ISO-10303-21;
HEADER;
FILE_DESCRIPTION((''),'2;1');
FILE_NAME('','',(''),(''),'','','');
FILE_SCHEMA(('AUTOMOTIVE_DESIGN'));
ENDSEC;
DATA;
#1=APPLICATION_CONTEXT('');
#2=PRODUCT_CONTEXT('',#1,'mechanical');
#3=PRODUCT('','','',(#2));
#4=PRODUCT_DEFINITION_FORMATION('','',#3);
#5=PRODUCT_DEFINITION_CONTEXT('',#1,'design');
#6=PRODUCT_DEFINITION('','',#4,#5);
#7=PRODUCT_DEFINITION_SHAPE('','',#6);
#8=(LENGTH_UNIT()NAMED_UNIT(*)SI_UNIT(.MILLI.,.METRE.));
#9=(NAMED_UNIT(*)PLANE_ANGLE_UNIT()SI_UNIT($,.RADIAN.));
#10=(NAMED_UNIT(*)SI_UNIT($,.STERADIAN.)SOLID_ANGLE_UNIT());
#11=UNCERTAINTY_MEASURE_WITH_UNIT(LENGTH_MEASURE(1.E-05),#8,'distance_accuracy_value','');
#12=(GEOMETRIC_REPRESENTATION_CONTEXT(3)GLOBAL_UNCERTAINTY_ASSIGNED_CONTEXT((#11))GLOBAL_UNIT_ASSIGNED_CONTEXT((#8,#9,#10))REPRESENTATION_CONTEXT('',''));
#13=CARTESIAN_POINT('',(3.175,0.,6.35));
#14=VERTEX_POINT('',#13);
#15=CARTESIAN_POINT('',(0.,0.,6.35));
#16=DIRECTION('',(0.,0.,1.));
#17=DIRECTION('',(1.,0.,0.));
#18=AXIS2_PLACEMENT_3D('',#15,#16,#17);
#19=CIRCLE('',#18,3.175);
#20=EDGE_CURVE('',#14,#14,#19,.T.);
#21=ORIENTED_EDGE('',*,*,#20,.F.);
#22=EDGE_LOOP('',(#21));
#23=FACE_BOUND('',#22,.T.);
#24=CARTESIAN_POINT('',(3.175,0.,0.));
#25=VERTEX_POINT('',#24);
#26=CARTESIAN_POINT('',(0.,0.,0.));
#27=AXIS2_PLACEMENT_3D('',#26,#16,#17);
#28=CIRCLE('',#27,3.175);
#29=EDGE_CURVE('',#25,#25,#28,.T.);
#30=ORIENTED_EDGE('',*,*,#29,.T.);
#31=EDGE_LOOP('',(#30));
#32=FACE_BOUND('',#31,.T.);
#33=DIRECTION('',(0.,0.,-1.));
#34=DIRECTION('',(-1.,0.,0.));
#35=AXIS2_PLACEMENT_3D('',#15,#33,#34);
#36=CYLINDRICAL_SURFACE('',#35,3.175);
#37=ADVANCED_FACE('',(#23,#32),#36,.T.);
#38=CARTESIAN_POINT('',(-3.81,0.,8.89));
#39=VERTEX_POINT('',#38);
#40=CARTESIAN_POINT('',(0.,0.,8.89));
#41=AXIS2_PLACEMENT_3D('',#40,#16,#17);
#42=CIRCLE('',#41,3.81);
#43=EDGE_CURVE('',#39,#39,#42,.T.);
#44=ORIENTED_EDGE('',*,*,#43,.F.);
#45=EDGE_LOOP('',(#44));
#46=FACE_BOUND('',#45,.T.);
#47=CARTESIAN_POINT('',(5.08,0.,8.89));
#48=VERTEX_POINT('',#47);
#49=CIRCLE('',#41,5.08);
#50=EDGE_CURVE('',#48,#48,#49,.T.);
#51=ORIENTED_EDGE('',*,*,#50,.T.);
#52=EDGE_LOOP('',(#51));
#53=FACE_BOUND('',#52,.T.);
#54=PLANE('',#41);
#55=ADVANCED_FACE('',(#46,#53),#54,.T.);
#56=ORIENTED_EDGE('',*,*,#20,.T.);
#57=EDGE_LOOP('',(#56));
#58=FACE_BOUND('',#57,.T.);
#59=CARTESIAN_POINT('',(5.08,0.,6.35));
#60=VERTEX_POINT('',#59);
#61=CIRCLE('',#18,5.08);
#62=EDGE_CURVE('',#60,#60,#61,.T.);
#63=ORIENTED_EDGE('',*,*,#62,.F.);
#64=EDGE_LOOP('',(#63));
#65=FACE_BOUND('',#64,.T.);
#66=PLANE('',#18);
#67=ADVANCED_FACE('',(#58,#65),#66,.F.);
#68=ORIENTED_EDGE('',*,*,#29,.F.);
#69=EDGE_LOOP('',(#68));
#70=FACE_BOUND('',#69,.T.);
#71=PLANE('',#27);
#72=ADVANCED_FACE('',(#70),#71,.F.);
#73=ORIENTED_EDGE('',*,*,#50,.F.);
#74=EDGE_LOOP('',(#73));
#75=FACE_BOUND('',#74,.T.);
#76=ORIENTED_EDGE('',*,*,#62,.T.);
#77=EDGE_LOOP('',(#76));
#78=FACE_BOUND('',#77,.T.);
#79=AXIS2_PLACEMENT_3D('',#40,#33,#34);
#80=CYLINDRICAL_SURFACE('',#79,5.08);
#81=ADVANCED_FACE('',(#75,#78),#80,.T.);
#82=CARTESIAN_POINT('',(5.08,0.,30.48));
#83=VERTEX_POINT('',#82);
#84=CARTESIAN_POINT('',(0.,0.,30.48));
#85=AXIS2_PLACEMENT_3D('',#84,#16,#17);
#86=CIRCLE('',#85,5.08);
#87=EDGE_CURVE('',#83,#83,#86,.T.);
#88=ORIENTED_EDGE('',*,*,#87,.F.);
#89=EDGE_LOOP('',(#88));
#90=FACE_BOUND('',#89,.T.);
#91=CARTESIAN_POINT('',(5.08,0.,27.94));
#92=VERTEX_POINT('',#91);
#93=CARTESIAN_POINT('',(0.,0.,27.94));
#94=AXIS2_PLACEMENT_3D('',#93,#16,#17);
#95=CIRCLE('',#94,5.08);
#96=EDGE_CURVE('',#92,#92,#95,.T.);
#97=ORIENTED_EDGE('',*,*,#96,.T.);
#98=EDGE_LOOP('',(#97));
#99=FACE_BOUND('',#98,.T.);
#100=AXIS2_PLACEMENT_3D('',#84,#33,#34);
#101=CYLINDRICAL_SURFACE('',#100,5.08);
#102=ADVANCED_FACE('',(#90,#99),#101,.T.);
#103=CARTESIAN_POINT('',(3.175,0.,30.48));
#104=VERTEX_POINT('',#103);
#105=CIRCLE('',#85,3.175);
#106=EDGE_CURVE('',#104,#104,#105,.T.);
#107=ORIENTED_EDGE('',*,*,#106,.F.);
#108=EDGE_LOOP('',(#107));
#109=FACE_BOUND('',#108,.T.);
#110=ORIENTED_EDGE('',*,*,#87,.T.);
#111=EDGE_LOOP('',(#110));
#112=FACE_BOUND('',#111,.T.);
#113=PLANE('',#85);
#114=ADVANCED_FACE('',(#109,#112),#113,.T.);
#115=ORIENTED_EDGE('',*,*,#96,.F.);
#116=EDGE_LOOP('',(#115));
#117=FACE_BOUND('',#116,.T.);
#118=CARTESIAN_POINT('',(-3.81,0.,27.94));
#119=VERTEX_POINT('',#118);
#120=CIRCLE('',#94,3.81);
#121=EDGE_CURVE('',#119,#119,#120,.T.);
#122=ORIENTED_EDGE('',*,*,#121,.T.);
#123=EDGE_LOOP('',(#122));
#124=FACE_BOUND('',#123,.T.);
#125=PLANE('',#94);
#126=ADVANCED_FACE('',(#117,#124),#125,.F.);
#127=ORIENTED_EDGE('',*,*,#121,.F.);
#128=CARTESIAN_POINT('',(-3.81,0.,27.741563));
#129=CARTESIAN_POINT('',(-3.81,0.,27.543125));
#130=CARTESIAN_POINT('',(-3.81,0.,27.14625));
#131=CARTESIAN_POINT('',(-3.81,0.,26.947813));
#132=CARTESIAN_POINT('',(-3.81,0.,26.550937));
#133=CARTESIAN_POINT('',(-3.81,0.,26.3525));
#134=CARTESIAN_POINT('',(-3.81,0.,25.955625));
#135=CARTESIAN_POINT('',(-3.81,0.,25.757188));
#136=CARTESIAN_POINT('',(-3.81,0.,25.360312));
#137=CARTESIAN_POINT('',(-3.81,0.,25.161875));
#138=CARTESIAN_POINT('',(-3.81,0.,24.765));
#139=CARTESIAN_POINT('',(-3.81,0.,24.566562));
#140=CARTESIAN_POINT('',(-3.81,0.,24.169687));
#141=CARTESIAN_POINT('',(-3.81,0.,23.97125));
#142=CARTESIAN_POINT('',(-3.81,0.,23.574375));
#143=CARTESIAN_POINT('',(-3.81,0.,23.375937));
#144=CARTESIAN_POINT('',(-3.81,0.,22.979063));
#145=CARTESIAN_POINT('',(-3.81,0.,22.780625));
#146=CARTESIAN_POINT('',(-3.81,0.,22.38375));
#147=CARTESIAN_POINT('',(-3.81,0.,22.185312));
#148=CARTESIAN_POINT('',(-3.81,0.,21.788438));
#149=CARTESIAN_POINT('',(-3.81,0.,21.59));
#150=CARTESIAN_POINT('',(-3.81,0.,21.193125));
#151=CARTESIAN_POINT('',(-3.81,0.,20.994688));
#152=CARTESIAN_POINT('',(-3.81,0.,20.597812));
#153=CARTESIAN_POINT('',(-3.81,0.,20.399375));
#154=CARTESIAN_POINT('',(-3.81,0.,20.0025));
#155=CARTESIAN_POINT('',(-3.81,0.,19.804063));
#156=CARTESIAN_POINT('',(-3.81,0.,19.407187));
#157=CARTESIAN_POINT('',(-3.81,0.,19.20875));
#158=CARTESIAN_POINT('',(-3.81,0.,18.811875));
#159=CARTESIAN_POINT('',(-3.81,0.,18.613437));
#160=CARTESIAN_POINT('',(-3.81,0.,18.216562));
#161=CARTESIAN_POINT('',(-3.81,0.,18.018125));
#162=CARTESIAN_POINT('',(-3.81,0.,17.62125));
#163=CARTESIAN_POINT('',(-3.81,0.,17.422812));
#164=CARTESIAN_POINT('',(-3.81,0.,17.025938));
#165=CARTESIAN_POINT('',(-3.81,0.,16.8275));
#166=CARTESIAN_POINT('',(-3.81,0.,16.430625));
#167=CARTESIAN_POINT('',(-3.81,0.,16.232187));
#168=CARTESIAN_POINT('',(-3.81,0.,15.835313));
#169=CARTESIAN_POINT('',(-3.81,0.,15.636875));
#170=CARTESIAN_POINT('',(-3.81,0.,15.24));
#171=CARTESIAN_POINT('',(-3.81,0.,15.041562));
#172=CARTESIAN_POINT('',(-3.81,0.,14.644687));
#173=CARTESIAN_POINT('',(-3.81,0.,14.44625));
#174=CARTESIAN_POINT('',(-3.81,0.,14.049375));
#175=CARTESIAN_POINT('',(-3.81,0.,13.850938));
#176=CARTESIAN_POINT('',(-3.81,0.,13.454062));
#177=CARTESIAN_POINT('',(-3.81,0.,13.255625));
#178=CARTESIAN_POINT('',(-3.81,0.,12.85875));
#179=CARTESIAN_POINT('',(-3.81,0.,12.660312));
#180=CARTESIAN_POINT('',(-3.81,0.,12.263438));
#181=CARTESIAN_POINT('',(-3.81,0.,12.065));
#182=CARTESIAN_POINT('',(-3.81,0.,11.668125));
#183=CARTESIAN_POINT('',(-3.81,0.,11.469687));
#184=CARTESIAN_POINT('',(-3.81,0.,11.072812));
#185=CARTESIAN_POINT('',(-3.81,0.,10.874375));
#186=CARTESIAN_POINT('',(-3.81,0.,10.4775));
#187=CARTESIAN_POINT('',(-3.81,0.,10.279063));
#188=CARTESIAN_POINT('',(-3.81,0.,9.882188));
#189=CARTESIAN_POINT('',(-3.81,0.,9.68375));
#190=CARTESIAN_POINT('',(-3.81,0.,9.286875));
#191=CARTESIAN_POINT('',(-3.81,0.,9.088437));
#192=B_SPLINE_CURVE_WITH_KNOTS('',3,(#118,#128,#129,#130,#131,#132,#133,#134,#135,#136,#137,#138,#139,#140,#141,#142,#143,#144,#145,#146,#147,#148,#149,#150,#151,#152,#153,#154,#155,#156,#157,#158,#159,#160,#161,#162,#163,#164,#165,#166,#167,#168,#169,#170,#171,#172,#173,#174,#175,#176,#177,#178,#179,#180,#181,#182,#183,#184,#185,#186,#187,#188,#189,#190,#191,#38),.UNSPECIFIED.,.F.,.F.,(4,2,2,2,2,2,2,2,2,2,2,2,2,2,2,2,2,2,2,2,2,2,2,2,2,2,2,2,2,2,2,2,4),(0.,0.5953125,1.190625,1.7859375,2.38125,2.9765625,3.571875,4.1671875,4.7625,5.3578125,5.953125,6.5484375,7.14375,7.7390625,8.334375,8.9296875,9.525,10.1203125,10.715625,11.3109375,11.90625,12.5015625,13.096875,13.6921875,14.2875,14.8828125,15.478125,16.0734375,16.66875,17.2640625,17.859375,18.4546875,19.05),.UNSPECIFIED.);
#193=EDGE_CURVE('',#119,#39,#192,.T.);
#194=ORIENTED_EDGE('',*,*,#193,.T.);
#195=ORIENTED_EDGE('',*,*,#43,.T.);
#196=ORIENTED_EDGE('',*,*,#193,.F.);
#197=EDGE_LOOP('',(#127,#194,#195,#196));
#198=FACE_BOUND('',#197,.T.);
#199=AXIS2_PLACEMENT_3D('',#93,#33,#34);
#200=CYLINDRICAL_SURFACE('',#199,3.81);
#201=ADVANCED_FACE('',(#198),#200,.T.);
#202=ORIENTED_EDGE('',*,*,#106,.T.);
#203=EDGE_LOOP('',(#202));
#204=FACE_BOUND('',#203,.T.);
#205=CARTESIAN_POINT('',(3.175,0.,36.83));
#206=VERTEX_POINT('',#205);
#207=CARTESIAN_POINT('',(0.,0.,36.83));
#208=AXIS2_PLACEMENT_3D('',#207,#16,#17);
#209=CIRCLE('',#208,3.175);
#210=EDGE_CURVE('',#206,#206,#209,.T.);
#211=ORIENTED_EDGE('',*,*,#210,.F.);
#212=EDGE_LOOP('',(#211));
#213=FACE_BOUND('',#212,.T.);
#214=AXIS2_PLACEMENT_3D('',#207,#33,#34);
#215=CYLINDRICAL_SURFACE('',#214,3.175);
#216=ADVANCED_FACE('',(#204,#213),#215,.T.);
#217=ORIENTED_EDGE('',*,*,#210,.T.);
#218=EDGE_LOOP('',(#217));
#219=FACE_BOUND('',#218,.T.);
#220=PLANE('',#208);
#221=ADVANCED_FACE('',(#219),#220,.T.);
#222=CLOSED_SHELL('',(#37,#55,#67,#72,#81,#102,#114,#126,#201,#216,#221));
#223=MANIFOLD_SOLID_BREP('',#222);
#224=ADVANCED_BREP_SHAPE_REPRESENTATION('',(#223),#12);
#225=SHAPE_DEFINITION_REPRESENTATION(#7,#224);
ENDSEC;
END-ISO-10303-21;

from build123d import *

# Parameters (mm, degrees)
SKETCH1_R           = 3.175
BOSS_EXTRUDE1_DEPTH = 6.35
SKETCH2_R           = 5.08
BOSS_EXTRUDE2_DEPTH = 2.54
SKETCH3_R           = 3.81
BOSS_EXTRUDE3_DEPTH = 19.05
SKETCH4_R           = 5.08
BOSS_EXTRUDE4_DEPTH = 2.54
SKETCH5_R           = 3.175
BOSS_EXTRUDE5_DEPTH = 6.35


with BuildPart() as part:
    # Sketch1 → Boss-Extrude1 (new body)
    with BuildSketch(Plane.XY):
        Circle(SKETCH1_R)
    extrude(amount=BOSS_EXTRUDE1_DEPTH)

    # Sketch2 → Boss-Extrude2 (add)
    with BuildSketch(Plane.XY.offset(6.35)):
        Circle(SKETCH2_R)
    extrude(amount=BOSS_EXTRUDE2_DEPTH)

    # Sketch3 → Boss-Extrude3 (add)
    with BuildSketch(Plane.XY.offset(8.89)):
        with Locations(Location((0, 0, 0), (0, 0, 180))):
            Circle(SKETCH3_R)
    extrude(amount=BOSS_EXTRUDE3_DEPTH)

    # Sketch4 → Boss-Extrude4 (add)
    with BuildSketch(Plane.XY.offset(27.94)):
        Circle(SKETCH4_R)
    extrude(amount=BOSS_EXTRUDE4_DEPTH)

    # Sketch5 → Boss-Extrude5 (add)
    with BuildSketch(Plane.XY.offset(30.48)):
        Circle(SKETCH5_R)
    extrude(amount=BOSS_EXTRUDE5_DEPTH)


solid = part.part
